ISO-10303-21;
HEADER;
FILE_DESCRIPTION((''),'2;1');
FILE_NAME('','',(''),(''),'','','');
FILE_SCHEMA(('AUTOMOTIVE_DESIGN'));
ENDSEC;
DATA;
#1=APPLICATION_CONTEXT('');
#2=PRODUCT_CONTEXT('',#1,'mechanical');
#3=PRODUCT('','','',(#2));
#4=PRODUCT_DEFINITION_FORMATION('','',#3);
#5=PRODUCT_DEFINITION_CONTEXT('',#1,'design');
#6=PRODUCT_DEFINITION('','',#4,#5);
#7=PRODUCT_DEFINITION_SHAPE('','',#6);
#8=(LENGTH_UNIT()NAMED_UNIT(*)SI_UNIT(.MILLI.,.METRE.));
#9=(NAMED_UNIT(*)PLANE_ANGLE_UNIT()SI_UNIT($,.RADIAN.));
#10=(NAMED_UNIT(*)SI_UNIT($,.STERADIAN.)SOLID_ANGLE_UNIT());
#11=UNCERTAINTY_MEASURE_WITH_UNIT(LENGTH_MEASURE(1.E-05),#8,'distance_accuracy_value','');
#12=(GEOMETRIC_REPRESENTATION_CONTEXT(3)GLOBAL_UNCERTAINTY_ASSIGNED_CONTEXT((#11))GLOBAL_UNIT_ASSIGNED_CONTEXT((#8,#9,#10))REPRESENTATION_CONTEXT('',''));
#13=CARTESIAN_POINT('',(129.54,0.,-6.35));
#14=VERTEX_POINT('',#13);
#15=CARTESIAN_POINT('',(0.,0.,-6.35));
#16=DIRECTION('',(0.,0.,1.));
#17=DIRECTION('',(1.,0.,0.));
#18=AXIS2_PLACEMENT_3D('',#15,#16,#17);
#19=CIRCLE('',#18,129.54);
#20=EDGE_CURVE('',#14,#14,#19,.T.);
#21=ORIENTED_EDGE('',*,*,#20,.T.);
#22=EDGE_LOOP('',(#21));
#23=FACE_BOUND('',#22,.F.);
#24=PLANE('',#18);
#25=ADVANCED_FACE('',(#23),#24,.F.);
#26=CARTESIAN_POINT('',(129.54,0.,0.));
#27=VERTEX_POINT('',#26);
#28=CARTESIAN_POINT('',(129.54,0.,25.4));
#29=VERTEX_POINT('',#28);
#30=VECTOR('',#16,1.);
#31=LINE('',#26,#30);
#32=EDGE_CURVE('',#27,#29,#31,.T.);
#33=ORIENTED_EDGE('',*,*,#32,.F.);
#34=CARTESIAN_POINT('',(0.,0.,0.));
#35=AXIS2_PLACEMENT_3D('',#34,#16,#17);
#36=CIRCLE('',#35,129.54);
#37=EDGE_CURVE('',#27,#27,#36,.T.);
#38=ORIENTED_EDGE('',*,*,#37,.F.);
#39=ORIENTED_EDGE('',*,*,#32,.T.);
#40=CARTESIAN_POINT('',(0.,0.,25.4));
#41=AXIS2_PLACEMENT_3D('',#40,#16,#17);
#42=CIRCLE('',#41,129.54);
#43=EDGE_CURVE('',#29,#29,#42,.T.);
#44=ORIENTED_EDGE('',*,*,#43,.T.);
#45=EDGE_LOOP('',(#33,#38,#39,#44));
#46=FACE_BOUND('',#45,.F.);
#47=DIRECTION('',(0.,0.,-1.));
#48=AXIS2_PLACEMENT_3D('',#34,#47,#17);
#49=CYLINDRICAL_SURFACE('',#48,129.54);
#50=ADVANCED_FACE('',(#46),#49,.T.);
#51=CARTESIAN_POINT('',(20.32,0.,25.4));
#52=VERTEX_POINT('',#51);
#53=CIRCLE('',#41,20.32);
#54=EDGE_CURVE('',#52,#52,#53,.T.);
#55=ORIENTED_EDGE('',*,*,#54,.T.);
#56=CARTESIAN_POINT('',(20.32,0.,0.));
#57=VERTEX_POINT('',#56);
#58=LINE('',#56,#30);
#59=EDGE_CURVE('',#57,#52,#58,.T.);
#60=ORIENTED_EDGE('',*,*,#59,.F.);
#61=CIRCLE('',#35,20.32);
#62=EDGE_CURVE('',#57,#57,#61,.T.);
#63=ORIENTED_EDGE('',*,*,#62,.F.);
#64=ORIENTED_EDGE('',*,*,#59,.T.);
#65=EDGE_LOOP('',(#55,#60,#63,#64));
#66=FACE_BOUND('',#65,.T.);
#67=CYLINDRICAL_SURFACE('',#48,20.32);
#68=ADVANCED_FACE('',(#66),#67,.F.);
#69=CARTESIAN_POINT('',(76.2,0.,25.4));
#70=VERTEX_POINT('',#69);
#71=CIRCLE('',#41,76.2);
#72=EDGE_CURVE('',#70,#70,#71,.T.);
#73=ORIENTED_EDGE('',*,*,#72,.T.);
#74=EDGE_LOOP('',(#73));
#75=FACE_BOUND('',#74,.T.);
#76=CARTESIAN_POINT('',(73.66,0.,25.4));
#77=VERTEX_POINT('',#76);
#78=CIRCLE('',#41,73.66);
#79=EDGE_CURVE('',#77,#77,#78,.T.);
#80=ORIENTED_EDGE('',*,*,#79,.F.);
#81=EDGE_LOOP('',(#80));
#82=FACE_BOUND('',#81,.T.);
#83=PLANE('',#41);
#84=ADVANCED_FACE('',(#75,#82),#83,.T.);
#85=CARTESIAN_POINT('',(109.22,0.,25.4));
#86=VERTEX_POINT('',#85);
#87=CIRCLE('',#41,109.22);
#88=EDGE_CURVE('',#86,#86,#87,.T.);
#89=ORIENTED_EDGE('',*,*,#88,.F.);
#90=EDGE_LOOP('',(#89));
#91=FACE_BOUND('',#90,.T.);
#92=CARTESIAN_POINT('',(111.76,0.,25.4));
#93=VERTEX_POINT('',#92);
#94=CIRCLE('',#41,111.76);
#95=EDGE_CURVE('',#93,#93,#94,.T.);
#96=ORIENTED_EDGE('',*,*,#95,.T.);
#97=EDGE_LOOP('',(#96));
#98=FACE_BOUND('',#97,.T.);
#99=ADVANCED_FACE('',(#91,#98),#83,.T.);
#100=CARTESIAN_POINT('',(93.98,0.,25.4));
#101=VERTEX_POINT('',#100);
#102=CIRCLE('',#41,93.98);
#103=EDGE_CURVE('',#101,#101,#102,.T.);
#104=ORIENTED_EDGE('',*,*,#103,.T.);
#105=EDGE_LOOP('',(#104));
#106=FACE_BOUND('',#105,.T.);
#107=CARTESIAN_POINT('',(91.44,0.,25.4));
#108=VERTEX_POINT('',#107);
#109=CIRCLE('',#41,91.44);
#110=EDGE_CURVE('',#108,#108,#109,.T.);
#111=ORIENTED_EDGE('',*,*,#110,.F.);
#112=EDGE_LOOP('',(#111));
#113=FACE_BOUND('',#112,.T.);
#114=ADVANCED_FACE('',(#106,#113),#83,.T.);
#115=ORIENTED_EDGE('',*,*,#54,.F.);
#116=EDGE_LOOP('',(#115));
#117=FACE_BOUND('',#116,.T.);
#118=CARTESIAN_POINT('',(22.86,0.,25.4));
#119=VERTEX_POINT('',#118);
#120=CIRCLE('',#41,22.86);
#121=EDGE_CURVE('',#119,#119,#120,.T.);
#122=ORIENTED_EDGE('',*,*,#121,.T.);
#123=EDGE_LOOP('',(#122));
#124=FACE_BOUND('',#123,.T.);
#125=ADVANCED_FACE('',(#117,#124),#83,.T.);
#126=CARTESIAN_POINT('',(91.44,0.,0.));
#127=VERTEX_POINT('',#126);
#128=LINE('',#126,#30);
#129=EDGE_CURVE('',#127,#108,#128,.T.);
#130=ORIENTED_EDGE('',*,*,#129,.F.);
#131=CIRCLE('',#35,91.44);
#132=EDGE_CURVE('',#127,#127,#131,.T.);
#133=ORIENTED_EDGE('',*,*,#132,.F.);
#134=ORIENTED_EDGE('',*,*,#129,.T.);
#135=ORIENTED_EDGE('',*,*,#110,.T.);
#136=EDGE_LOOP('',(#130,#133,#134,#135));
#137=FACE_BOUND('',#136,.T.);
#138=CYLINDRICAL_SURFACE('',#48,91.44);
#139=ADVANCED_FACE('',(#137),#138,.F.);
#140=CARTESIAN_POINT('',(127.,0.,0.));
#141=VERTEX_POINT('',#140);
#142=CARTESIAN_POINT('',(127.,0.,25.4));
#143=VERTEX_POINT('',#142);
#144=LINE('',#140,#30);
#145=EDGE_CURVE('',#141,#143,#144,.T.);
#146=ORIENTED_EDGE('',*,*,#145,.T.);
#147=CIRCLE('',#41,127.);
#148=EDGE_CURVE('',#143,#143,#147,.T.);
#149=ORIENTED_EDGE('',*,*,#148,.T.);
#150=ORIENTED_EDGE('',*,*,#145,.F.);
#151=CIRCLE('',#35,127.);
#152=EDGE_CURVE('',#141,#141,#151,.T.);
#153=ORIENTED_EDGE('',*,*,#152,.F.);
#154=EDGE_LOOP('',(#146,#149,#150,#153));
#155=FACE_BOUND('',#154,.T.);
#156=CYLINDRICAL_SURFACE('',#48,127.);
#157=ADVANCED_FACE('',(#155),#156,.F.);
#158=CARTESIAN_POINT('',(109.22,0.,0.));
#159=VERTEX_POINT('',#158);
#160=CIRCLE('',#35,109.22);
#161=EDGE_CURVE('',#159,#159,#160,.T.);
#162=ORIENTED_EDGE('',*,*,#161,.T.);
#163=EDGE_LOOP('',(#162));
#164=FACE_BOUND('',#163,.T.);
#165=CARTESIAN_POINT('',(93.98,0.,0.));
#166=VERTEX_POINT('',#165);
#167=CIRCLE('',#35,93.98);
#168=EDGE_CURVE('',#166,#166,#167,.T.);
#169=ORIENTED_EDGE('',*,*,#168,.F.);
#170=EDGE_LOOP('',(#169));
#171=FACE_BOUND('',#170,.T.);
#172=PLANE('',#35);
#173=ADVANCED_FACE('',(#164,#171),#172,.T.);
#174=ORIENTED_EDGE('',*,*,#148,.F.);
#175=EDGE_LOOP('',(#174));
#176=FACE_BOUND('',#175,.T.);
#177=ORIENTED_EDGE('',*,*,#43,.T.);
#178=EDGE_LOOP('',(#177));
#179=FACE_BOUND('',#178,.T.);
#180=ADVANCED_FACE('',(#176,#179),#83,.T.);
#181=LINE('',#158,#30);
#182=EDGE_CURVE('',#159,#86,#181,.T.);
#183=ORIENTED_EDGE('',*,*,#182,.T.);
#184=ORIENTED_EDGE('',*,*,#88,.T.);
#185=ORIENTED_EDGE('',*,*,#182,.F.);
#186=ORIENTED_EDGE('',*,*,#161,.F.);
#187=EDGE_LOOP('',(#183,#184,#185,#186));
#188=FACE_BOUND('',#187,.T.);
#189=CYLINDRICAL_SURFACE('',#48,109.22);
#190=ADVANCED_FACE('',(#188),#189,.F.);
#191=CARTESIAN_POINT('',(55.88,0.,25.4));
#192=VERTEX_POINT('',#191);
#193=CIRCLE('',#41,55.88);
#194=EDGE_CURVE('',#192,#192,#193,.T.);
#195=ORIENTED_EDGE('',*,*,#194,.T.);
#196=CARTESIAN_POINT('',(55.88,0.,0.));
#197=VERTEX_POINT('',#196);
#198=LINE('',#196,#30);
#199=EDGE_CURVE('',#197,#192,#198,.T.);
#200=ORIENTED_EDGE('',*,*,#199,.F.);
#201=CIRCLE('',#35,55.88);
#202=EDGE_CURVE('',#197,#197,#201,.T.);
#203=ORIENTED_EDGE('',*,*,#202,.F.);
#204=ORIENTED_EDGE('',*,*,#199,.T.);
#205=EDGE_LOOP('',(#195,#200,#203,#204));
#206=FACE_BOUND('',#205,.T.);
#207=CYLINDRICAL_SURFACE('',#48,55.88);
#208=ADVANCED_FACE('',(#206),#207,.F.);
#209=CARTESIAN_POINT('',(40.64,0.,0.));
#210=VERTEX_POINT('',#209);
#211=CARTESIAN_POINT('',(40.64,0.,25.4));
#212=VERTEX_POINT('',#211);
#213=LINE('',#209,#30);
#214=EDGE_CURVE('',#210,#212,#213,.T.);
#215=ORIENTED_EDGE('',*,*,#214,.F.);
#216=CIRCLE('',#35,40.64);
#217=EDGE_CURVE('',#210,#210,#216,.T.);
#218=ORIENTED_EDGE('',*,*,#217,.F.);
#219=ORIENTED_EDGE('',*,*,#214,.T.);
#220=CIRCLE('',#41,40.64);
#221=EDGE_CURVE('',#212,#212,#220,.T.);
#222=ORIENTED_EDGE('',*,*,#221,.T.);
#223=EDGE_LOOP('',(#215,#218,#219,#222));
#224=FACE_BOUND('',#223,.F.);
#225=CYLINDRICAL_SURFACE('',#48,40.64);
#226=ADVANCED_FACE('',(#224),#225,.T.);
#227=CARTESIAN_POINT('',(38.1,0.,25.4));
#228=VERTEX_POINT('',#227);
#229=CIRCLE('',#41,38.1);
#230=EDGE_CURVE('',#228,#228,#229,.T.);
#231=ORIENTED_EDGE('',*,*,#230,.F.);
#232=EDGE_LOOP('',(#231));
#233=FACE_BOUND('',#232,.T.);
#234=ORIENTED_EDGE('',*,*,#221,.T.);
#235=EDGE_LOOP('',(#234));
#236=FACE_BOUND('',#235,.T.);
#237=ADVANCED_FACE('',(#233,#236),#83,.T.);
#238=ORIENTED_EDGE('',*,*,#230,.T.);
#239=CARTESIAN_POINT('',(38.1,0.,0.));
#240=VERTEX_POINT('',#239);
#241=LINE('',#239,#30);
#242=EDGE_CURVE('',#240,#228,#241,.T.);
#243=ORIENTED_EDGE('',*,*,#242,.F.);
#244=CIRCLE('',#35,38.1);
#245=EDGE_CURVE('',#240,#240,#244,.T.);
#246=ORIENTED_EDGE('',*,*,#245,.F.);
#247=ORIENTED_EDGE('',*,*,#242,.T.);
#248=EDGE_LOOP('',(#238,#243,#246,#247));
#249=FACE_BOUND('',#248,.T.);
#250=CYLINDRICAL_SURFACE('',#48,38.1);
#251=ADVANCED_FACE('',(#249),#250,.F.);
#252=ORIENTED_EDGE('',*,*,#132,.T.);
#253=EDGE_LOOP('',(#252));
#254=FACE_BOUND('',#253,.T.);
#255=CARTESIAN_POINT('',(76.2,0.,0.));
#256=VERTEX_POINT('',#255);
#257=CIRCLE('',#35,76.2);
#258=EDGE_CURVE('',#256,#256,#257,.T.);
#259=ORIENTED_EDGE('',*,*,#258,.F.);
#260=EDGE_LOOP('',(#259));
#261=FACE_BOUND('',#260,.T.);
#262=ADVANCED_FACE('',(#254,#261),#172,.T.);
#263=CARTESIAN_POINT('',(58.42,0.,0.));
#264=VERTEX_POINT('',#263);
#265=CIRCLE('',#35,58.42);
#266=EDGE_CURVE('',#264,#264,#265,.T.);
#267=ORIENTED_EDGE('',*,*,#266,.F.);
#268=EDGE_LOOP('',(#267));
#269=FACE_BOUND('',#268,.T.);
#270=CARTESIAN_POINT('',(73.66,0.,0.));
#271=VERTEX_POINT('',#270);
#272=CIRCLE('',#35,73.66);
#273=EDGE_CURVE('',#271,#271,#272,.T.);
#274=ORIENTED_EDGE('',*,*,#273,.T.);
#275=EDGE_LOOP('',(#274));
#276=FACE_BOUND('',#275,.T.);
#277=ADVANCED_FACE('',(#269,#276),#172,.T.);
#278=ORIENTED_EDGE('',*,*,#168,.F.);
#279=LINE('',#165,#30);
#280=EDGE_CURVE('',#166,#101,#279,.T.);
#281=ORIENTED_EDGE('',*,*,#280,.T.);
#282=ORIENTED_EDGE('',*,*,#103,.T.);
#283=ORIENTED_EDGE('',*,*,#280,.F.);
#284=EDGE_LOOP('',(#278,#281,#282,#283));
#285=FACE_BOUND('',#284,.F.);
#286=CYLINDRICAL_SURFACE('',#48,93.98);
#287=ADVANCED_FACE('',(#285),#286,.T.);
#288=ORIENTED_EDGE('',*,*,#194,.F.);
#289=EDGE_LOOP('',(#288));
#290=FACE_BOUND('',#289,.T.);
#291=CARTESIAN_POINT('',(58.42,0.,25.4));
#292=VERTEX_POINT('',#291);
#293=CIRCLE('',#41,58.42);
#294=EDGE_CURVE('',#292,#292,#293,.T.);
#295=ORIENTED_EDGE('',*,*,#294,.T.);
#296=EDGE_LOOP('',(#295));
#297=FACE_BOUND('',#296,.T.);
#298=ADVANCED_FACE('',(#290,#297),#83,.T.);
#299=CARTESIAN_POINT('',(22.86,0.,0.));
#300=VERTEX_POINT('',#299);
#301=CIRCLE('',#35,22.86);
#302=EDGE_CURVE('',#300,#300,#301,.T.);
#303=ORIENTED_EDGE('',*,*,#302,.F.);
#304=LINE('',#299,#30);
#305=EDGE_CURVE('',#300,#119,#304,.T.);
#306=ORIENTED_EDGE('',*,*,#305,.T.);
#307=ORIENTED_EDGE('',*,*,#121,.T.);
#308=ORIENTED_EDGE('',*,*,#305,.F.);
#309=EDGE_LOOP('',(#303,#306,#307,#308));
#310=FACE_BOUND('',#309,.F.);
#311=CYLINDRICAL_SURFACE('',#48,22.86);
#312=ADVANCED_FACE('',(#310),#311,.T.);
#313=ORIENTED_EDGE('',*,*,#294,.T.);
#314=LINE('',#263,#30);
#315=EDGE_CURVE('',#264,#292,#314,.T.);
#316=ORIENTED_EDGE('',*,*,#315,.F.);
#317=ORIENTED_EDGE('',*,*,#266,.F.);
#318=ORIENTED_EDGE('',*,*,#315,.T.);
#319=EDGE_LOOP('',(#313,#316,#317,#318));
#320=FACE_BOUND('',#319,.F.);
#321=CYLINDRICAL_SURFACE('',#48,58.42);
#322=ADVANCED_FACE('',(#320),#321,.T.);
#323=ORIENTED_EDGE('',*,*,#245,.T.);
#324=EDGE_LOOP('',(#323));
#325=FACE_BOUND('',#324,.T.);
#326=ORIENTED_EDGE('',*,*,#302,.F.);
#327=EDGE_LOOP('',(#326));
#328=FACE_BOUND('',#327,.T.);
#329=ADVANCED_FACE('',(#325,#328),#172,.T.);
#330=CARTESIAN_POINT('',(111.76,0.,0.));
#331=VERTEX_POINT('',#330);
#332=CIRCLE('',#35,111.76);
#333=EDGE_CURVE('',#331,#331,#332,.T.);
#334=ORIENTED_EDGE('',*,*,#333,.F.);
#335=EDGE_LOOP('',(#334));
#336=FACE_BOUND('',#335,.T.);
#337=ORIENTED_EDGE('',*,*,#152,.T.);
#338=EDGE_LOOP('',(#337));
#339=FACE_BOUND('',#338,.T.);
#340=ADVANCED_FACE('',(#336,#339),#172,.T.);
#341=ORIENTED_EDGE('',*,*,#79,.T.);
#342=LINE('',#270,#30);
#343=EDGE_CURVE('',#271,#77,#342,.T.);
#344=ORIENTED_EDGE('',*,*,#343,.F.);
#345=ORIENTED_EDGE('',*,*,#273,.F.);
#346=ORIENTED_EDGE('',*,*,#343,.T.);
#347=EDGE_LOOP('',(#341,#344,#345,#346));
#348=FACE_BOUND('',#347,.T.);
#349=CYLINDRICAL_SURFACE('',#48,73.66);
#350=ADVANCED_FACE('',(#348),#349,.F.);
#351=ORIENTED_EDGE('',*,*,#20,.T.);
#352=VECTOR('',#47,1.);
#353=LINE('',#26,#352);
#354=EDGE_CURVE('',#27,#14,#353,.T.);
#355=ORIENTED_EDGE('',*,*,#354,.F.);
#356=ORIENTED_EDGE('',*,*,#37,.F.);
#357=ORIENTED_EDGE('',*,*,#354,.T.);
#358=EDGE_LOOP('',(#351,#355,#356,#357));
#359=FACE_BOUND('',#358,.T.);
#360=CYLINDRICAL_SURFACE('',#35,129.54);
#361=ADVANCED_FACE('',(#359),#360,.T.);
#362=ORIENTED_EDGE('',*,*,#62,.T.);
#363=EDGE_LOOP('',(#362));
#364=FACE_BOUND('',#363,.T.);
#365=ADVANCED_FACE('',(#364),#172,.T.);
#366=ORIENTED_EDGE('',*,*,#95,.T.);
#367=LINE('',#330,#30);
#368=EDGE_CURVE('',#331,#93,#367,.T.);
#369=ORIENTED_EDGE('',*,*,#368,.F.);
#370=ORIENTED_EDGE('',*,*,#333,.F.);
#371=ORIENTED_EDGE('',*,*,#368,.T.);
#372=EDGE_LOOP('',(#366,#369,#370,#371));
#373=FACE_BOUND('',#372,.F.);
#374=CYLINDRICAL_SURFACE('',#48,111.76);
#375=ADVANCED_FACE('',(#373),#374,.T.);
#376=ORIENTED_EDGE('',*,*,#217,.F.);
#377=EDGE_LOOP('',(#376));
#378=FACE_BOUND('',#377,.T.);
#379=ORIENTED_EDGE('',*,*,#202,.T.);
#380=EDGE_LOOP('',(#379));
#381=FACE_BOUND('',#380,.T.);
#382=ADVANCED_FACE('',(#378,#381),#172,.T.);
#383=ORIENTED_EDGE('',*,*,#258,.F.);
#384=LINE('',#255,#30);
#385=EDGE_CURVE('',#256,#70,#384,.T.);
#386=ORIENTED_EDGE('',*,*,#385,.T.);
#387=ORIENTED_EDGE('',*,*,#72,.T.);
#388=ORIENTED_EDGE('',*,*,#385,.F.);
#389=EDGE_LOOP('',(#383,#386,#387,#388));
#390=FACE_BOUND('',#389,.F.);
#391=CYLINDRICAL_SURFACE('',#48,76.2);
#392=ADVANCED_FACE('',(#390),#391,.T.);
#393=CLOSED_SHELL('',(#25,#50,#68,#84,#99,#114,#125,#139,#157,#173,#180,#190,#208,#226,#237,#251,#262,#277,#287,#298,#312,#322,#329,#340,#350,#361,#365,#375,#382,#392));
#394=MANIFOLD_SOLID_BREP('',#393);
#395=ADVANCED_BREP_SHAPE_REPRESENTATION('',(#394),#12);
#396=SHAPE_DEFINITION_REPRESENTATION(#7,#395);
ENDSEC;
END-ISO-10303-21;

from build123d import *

# Parameters (mm, degrees)
F1_R     = 129.54
F3_DEPTH = 6.35
F2_R     = 129.54
F2_R_2   = 127
F2_R_3   = 111.76
F2_R_4   = 109.22
F2_R_5   = 93.98
F2_R_6   = 91.44
F2_R_7   = 76.2
F2_R_8   = 73.66
F2_R_9   = 58.42
F2_R_10  = 55.88
F2_R_11  = 40.64
F2_R_12  = 38.1
F2_R_13  = 22.86
F2_R_14  = 20.32
F4_DEPTH = 25.4


with BuildPart() as f3:
    # F1 (on Top) → F3 (new body)
    with BuildSketch(Plane.XY):
        Circle(F1_R)
    extrude(amount=-F3_DEPTH)

    # F2 (on Top) → F4 (join)
    with BuildSketch(Plane.XY):
        Circle(F2_R)
        Circle(F2_R_2, mode=Mode.SUBTRACT)
        Circle(F2_R_3)
        Circle(F2_R_4, mode=Mode.SUBTRACT)
        Circle(F2_R_5)
        Circle(F2_R_6, mode=Mode.SUBTRACT)
        Circle(F2_R_7)
        Circle(F2_R_8, mode=Mode.SUBTRACT)
        Circle(F2_R_9)
        Circle(F2_R_10, mode=Mode.SUBTRACT)
        Circle(F2_R_11)
        Circle(F2_R_12, mode=Mode.SUBTRACT)
        Circle(F2_R_13)
        Circle(F2_R_14, mode=Mode.SUBTRACT)
    extrude(amount=F4_DEPTH)


solid = f3.part
